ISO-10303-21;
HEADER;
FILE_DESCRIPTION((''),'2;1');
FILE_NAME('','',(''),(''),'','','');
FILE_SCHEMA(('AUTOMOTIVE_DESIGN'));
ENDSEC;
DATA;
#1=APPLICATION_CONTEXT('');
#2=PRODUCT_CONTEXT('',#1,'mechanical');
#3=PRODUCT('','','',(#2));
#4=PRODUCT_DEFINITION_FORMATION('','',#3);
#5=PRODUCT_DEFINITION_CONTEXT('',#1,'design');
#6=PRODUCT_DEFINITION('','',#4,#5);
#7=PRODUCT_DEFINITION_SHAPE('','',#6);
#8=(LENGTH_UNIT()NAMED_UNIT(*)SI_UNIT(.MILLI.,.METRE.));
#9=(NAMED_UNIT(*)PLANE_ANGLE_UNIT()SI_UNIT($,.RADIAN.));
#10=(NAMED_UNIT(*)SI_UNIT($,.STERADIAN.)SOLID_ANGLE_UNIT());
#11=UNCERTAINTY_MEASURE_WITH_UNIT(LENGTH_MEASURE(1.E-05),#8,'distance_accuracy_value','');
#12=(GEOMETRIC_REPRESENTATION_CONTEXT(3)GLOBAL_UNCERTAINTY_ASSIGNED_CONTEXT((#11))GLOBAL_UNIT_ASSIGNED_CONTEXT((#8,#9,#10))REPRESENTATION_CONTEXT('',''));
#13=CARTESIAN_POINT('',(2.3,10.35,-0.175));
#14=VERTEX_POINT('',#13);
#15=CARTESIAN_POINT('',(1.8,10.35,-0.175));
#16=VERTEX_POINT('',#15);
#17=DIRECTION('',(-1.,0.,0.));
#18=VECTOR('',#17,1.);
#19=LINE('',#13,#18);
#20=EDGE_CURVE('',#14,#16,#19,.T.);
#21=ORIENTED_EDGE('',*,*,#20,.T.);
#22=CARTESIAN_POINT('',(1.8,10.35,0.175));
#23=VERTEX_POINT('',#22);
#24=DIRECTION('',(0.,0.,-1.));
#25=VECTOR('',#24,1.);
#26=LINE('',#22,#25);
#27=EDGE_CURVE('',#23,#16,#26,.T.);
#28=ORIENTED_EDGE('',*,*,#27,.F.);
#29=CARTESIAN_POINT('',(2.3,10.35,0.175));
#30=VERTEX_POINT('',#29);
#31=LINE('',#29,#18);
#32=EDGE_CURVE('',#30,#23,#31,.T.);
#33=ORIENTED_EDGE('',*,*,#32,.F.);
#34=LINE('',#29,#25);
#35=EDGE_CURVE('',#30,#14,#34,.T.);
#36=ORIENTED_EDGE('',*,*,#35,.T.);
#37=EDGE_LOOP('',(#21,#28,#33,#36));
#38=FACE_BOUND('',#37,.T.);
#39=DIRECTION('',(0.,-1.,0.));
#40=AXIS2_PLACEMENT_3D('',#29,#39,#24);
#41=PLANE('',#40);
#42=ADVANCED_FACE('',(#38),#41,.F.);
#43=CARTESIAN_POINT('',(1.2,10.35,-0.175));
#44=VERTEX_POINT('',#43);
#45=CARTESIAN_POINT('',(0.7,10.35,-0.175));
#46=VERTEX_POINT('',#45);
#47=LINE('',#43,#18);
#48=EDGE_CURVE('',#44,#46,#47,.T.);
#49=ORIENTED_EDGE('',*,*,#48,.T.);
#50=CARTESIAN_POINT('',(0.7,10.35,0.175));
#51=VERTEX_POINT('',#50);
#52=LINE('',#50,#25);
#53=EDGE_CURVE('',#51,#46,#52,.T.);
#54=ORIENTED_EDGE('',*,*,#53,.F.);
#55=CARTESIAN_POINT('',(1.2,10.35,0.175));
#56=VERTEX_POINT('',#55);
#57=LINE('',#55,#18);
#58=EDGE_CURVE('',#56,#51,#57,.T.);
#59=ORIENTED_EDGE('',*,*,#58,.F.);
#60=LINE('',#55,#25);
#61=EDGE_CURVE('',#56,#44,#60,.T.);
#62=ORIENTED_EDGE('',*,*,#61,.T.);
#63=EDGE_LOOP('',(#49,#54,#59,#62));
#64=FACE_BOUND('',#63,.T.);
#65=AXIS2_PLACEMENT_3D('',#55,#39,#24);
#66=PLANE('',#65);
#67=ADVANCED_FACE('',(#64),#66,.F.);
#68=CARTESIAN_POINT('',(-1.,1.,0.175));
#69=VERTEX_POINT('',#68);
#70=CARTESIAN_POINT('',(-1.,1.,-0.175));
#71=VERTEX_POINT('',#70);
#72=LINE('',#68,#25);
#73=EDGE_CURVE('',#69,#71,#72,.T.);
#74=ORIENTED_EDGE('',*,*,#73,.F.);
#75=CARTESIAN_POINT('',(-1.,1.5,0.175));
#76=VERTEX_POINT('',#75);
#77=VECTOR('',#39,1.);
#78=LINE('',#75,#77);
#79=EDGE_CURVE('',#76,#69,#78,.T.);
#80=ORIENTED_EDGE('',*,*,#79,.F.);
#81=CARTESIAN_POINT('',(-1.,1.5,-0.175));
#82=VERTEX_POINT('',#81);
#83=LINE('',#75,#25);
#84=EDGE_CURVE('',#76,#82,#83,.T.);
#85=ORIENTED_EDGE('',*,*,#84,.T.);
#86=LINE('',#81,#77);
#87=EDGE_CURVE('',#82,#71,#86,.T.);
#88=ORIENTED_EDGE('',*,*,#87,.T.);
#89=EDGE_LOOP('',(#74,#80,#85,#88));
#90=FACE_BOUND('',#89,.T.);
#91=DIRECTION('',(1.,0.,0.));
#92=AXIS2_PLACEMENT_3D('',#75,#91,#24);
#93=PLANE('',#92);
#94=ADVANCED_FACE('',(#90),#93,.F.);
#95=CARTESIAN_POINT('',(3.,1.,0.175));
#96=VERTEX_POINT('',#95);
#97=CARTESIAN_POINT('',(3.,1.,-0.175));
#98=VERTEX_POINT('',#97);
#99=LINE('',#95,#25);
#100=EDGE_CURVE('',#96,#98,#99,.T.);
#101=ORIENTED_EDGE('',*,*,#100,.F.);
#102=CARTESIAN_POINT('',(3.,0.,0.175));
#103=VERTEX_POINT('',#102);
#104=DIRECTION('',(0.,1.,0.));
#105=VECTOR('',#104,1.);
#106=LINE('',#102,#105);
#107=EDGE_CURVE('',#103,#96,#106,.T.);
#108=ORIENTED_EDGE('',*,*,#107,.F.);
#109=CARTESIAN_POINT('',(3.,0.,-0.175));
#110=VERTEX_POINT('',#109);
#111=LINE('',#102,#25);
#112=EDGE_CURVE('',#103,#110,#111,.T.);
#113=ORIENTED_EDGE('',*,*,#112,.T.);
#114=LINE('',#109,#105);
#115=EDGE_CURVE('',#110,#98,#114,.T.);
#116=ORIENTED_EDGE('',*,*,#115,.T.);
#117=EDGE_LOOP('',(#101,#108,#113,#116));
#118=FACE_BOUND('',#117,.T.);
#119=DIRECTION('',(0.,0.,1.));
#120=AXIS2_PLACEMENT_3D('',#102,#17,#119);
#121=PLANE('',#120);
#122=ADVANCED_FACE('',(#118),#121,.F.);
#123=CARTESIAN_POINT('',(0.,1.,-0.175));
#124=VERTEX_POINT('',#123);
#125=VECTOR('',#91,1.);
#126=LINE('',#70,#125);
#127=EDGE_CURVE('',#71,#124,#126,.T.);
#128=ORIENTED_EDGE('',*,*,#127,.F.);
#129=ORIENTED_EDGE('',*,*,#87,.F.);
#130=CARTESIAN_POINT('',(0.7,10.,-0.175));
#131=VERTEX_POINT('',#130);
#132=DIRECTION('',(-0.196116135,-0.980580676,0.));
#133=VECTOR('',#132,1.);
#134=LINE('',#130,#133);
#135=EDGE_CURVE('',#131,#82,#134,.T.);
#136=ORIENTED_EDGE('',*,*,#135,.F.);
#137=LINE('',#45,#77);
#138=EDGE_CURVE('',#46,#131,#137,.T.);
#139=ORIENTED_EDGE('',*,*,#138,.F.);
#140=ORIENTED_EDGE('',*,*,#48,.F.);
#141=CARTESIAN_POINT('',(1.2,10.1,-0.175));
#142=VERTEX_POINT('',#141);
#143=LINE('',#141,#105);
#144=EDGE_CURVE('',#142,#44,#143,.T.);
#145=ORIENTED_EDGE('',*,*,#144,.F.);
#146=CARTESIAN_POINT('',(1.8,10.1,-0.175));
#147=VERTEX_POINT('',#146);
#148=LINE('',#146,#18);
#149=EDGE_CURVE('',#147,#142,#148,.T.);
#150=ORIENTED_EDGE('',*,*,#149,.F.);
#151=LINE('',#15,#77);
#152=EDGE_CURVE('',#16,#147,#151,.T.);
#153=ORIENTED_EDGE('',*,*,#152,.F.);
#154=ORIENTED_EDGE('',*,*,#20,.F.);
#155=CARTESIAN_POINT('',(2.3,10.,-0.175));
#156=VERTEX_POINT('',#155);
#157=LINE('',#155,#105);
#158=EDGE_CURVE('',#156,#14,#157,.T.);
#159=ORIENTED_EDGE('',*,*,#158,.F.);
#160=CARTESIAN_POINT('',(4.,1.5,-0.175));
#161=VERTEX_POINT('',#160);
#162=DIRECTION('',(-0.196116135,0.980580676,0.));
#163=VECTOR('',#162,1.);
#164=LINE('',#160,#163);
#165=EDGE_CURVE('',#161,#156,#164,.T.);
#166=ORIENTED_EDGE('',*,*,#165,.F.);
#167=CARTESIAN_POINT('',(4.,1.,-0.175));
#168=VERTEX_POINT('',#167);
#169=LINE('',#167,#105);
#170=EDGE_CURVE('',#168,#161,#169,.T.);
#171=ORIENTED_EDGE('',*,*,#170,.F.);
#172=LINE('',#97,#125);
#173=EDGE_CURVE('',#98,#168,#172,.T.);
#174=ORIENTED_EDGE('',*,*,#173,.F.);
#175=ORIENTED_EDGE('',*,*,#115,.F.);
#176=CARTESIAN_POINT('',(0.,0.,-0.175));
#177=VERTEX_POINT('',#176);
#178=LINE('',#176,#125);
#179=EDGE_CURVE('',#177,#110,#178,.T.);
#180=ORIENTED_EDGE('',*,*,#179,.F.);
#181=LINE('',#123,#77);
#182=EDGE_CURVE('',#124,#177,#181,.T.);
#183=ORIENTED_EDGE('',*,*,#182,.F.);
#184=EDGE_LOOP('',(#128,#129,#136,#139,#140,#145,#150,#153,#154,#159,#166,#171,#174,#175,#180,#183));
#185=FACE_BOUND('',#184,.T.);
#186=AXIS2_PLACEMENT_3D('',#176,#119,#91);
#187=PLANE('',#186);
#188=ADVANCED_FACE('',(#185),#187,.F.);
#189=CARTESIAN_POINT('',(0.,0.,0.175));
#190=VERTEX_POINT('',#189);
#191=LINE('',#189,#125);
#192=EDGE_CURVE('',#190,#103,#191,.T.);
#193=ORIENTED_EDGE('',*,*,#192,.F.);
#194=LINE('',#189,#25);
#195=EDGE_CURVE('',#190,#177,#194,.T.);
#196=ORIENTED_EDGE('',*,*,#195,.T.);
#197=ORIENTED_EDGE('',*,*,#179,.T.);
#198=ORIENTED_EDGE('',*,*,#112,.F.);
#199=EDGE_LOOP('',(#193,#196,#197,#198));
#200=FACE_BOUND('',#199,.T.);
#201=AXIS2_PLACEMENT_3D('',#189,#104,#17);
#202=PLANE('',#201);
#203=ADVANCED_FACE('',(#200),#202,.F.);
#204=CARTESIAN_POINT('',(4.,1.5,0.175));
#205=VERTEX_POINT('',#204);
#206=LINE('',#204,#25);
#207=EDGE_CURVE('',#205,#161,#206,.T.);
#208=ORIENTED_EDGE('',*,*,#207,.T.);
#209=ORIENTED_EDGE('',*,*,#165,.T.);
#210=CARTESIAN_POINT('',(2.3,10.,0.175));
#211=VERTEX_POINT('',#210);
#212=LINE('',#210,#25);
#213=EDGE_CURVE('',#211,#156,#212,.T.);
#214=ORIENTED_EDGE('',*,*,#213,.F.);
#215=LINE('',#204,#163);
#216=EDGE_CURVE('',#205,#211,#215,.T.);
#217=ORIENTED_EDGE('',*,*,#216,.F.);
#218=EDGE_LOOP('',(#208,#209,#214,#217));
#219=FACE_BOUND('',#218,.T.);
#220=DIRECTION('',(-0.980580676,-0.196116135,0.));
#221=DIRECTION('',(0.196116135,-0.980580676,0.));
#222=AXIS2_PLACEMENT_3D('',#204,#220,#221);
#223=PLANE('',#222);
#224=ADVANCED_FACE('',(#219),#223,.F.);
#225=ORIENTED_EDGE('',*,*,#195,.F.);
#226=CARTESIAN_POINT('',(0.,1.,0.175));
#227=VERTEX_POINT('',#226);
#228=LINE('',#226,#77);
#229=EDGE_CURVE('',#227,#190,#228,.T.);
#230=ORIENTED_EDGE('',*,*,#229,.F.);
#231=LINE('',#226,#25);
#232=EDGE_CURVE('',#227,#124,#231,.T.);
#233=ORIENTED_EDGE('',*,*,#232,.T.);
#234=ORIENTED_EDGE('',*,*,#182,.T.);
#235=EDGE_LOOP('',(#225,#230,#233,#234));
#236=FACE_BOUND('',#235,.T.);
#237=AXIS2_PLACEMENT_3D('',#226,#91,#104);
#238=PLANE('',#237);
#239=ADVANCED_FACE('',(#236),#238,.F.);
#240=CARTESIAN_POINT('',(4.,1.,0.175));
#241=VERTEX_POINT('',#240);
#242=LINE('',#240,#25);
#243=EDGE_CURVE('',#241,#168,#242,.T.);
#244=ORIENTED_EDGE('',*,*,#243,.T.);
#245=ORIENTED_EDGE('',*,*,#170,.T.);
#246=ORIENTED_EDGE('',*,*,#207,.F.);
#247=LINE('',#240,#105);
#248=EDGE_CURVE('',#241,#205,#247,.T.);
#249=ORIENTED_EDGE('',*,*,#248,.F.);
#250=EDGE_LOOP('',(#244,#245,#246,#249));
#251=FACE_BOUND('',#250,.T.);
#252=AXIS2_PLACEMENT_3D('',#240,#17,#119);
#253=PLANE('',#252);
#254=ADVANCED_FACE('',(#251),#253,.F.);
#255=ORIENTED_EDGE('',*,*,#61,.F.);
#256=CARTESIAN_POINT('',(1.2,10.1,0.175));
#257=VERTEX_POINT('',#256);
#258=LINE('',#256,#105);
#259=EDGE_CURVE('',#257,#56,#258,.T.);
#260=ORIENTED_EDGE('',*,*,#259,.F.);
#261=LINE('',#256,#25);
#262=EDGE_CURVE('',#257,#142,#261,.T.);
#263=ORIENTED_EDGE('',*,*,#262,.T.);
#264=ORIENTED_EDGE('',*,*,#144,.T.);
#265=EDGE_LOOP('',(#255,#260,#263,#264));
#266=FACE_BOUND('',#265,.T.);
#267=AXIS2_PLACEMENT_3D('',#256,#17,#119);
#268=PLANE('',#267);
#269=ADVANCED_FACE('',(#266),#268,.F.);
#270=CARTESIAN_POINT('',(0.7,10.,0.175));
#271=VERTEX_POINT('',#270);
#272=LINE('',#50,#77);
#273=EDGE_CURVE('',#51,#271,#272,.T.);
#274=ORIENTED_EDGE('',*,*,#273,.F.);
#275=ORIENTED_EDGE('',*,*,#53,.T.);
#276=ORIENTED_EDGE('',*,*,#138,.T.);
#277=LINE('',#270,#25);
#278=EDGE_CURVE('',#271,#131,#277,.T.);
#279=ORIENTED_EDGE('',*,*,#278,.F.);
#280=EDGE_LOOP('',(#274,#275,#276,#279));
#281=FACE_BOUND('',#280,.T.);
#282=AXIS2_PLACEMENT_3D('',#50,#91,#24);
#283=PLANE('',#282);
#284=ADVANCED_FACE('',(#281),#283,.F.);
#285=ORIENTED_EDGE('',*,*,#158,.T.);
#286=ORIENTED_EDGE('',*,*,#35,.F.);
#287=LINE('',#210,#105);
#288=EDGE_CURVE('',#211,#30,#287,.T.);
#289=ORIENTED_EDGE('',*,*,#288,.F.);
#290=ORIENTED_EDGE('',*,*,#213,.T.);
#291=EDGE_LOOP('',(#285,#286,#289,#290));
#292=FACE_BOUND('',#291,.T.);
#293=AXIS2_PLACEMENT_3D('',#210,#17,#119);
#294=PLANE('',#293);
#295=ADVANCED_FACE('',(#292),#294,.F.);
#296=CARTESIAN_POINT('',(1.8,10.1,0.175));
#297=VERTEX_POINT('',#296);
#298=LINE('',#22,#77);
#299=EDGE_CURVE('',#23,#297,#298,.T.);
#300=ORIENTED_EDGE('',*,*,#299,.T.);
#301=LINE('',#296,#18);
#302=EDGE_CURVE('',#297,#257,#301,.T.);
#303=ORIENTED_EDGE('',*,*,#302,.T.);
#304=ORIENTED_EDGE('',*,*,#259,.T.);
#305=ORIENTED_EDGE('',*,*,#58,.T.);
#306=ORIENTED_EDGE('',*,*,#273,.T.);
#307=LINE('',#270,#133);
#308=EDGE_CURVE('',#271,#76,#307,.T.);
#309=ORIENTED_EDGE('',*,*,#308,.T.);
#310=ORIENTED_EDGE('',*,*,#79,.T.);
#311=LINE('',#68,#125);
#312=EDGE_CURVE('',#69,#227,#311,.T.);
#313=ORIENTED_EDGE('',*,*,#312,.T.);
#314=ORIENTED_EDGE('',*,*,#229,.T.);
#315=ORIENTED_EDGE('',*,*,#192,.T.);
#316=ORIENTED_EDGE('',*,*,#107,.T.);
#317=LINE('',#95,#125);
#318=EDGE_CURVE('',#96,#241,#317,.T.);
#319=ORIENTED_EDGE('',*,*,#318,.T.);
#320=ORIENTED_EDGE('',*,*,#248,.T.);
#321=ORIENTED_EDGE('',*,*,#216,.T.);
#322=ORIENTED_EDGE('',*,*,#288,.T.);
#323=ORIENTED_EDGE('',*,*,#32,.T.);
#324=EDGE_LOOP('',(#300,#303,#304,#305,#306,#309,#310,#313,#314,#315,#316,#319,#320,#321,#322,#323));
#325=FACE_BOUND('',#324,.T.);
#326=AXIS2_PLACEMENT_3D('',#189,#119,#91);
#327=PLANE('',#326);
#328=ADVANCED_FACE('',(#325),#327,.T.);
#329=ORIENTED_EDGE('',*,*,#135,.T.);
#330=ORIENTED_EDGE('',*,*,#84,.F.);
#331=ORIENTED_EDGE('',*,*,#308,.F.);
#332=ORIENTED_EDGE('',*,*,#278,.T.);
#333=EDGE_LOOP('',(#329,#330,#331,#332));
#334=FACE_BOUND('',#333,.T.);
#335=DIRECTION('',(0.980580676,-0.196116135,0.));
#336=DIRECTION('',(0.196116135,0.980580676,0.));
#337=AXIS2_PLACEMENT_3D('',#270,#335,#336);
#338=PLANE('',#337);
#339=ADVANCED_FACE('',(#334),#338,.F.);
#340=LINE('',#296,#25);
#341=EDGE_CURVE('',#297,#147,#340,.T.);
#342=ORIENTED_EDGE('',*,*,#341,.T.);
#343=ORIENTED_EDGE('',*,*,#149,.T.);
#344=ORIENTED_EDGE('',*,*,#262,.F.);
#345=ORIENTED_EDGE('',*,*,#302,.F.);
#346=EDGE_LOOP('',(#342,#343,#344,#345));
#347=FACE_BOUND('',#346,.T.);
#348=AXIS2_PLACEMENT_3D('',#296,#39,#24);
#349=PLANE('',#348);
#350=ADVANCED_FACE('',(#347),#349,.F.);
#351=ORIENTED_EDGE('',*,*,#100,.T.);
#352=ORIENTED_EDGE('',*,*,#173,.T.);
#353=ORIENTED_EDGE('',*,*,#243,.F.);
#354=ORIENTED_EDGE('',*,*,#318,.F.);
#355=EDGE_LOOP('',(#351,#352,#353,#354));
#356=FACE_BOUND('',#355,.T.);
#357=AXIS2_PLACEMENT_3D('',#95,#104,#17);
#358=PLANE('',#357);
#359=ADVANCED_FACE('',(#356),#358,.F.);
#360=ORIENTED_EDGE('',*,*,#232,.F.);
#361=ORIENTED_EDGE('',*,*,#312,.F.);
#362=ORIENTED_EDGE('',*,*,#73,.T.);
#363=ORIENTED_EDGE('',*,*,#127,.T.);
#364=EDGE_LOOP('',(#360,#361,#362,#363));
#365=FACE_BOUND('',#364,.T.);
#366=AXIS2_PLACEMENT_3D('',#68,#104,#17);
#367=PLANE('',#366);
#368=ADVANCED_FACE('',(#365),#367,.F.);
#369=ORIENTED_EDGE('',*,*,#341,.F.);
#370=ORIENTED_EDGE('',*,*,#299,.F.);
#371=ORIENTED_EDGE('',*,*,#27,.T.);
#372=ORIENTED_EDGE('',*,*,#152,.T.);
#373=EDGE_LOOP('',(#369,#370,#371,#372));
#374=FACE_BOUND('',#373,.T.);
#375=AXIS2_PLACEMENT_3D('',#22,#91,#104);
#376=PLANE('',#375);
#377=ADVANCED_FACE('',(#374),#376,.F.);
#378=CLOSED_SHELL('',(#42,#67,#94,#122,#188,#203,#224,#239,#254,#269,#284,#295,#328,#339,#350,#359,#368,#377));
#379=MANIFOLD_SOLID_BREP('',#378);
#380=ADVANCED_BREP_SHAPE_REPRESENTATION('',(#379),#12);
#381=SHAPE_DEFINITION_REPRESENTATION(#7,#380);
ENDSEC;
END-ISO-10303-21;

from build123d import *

# Parameters (mm, degrees)
BOSS_EXTRUDE1_DEPTH = 0.175


with BuildPart() as part:
    # frame_outline → Boss-Extrude1 (new, symmetric)
    with BuildSketch(Plane.XY):
        Polygon((0, 0), (3, 0), (3, 1), (4, 1), (4, 1.5), (2.3, 10), (2.3, 10.35), (1.8, 10.35), (1.8, 10.1), (1.2, 10.1), (1.2, 10.35), (0.7, 10.35), (0.7, 10), (-1, 1.5), (-1, 1), (0, 1), align=None)
    extrude(amount=BOSS_EXTRUDE1_DEPTH, both=True)


solid = part.part
